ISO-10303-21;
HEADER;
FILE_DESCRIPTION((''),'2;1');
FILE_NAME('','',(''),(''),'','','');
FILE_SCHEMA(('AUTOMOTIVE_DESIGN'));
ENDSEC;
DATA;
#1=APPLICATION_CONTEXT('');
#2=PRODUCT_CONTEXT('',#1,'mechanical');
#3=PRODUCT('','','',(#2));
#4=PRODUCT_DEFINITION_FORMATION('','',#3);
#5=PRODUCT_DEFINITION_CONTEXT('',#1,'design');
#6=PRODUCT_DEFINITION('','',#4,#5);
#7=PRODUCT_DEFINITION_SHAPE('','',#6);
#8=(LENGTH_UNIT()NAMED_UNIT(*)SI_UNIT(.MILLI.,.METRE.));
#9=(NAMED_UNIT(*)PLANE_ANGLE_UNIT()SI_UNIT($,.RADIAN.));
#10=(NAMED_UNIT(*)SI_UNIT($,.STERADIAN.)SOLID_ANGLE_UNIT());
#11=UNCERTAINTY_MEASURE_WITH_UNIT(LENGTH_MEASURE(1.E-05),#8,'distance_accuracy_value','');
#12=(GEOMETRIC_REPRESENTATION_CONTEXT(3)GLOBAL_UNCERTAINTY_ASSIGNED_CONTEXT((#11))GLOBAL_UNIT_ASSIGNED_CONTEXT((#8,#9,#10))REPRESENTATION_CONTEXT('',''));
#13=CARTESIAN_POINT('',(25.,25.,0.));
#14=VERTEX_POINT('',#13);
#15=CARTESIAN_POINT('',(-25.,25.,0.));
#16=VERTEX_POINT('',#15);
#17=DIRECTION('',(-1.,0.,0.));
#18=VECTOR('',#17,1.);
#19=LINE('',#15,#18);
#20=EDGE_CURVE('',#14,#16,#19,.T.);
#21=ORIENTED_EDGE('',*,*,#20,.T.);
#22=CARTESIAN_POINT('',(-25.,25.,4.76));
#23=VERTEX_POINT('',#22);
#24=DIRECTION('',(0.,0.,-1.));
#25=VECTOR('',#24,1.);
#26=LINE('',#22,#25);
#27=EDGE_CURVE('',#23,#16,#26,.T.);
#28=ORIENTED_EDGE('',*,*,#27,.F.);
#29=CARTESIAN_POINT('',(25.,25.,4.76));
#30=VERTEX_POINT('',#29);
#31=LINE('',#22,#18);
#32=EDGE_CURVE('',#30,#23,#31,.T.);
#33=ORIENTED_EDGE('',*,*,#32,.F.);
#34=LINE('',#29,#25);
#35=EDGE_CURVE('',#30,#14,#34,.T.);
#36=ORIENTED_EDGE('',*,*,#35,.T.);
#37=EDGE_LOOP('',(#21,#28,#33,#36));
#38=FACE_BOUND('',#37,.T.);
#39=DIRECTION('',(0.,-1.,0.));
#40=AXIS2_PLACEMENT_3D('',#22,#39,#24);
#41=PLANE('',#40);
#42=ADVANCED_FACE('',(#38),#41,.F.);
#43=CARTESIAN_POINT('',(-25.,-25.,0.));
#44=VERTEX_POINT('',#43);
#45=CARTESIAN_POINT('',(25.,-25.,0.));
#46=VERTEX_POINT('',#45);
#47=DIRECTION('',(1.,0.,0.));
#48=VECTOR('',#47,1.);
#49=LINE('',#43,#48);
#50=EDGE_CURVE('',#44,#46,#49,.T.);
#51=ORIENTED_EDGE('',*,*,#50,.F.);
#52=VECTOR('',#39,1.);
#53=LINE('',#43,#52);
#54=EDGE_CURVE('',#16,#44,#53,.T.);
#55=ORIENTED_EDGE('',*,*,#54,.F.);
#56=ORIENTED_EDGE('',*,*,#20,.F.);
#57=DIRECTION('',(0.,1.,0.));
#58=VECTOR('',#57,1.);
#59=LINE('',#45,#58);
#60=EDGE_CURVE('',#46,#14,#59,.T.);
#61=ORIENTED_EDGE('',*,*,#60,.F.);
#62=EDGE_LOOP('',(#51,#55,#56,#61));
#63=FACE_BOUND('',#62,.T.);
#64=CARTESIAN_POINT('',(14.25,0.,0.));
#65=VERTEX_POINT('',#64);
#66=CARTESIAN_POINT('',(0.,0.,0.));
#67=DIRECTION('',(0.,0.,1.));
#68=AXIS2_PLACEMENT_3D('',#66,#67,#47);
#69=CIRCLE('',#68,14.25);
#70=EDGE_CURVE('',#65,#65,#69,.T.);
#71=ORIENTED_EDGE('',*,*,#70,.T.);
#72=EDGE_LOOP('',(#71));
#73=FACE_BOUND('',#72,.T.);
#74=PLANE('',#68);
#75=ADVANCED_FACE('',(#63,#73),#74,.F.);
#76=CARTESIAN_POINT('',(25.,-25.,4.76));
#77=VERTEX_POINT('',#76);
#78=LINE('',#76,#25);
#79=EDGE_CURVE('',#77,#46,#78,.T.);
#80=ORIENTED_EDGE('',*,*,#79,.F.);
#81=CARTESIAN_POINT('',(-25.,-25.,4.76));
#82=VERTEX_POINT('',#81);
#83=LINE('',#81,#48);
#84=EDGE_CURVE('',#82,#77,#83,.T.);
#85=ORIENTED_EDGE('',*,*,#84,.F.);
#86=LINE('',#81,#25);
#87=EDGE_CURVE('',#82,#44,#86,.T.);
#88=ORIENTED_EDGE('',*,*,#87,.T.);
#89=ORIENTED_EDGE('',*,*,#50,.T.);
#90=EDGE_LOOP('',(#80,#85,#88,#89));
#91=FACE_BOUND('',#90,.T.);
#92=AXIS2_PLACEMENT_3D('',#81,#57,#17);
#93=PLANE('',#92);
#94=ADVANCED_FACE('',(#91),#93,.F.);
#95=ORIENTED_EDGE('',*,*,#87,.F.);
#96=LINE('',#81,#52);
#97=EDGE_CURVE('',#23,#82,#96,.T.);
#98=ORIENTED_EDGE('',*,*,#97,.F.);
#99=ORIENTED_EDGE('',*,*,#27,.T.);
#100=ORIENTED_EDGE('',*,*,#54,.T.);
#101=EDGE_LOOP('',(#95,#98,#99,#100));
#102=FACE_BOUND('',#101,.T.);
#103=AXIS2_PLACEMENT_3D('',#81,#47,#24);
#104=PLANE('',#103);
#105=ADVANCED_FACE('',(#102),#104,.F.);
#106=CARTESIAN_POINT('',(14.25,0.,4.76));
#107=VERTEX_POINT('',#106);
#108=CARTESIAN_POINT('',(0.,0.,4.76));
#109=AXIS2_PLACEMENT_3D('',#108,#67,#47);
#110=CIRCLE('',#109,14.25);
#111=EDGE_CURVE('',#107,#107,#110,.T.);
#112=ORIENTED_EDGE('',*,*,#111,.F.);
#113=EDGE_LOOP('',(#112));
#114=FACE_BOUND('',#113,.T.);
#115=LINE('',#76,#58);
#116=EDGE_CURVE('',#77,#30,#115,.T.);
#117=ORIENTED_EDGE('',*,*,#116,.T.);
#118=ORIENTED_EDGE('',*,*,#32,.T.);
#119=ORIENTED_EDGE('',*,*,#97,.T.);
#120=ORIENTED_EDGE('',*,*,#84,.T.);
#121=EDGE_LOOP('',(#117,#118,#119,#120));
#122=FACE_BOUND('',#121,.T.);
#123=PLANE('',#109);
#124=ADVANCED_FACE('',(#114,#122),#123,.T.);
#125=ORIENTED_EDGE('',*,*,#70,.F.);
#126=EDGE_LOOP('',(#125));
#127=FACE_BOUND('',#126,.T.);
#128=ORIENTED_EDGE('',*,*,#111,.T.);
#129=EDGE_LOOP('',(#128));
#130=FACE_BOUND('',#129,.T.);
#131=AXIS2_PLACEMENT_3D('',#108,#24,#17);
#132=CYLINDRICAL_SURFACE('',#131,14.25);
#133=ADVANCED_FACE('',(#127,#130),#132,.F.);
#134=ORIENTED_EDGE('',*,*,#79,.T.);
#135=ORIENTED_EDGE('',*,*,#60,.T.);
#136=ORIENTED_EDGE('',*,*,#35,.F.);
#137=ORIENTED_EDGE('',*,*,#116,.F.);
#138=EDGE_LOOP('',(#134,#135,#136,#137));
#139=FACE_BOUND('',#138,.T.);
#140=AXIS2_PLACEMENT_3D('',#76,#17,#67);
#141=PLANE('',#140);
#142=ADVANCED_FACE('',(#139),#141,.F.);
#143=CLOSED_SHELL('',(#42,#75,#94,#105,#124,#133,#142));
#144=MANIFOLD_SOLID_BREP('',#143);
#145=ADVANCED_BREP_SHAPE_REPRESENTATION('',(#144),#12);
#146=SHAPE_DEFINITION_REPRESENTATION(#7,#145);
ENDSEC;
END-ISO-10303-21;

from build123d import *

# Parameters (mm, degrees)
ESBO_O1_W                = 50
ESBO_O1_H                = 50
ESBO_O1_R                = 14.25
RESSALTO_EXTRUS_O1_DEPTH = 4.76


with BuildPart() as part:
    # Esboço1 → Ressalto-extrusão1 (new body)
    with BuildSketch(Plane.XY):
        Rectangle(ESBO_O1_W, ESBO_O1_H)
        Circle(ESBO_O1_R, mode=Mode.SUBTRACT)
    extrude(amount=RESSALTO_EXTRUS_O1_DEPTH)


solid = part.part
